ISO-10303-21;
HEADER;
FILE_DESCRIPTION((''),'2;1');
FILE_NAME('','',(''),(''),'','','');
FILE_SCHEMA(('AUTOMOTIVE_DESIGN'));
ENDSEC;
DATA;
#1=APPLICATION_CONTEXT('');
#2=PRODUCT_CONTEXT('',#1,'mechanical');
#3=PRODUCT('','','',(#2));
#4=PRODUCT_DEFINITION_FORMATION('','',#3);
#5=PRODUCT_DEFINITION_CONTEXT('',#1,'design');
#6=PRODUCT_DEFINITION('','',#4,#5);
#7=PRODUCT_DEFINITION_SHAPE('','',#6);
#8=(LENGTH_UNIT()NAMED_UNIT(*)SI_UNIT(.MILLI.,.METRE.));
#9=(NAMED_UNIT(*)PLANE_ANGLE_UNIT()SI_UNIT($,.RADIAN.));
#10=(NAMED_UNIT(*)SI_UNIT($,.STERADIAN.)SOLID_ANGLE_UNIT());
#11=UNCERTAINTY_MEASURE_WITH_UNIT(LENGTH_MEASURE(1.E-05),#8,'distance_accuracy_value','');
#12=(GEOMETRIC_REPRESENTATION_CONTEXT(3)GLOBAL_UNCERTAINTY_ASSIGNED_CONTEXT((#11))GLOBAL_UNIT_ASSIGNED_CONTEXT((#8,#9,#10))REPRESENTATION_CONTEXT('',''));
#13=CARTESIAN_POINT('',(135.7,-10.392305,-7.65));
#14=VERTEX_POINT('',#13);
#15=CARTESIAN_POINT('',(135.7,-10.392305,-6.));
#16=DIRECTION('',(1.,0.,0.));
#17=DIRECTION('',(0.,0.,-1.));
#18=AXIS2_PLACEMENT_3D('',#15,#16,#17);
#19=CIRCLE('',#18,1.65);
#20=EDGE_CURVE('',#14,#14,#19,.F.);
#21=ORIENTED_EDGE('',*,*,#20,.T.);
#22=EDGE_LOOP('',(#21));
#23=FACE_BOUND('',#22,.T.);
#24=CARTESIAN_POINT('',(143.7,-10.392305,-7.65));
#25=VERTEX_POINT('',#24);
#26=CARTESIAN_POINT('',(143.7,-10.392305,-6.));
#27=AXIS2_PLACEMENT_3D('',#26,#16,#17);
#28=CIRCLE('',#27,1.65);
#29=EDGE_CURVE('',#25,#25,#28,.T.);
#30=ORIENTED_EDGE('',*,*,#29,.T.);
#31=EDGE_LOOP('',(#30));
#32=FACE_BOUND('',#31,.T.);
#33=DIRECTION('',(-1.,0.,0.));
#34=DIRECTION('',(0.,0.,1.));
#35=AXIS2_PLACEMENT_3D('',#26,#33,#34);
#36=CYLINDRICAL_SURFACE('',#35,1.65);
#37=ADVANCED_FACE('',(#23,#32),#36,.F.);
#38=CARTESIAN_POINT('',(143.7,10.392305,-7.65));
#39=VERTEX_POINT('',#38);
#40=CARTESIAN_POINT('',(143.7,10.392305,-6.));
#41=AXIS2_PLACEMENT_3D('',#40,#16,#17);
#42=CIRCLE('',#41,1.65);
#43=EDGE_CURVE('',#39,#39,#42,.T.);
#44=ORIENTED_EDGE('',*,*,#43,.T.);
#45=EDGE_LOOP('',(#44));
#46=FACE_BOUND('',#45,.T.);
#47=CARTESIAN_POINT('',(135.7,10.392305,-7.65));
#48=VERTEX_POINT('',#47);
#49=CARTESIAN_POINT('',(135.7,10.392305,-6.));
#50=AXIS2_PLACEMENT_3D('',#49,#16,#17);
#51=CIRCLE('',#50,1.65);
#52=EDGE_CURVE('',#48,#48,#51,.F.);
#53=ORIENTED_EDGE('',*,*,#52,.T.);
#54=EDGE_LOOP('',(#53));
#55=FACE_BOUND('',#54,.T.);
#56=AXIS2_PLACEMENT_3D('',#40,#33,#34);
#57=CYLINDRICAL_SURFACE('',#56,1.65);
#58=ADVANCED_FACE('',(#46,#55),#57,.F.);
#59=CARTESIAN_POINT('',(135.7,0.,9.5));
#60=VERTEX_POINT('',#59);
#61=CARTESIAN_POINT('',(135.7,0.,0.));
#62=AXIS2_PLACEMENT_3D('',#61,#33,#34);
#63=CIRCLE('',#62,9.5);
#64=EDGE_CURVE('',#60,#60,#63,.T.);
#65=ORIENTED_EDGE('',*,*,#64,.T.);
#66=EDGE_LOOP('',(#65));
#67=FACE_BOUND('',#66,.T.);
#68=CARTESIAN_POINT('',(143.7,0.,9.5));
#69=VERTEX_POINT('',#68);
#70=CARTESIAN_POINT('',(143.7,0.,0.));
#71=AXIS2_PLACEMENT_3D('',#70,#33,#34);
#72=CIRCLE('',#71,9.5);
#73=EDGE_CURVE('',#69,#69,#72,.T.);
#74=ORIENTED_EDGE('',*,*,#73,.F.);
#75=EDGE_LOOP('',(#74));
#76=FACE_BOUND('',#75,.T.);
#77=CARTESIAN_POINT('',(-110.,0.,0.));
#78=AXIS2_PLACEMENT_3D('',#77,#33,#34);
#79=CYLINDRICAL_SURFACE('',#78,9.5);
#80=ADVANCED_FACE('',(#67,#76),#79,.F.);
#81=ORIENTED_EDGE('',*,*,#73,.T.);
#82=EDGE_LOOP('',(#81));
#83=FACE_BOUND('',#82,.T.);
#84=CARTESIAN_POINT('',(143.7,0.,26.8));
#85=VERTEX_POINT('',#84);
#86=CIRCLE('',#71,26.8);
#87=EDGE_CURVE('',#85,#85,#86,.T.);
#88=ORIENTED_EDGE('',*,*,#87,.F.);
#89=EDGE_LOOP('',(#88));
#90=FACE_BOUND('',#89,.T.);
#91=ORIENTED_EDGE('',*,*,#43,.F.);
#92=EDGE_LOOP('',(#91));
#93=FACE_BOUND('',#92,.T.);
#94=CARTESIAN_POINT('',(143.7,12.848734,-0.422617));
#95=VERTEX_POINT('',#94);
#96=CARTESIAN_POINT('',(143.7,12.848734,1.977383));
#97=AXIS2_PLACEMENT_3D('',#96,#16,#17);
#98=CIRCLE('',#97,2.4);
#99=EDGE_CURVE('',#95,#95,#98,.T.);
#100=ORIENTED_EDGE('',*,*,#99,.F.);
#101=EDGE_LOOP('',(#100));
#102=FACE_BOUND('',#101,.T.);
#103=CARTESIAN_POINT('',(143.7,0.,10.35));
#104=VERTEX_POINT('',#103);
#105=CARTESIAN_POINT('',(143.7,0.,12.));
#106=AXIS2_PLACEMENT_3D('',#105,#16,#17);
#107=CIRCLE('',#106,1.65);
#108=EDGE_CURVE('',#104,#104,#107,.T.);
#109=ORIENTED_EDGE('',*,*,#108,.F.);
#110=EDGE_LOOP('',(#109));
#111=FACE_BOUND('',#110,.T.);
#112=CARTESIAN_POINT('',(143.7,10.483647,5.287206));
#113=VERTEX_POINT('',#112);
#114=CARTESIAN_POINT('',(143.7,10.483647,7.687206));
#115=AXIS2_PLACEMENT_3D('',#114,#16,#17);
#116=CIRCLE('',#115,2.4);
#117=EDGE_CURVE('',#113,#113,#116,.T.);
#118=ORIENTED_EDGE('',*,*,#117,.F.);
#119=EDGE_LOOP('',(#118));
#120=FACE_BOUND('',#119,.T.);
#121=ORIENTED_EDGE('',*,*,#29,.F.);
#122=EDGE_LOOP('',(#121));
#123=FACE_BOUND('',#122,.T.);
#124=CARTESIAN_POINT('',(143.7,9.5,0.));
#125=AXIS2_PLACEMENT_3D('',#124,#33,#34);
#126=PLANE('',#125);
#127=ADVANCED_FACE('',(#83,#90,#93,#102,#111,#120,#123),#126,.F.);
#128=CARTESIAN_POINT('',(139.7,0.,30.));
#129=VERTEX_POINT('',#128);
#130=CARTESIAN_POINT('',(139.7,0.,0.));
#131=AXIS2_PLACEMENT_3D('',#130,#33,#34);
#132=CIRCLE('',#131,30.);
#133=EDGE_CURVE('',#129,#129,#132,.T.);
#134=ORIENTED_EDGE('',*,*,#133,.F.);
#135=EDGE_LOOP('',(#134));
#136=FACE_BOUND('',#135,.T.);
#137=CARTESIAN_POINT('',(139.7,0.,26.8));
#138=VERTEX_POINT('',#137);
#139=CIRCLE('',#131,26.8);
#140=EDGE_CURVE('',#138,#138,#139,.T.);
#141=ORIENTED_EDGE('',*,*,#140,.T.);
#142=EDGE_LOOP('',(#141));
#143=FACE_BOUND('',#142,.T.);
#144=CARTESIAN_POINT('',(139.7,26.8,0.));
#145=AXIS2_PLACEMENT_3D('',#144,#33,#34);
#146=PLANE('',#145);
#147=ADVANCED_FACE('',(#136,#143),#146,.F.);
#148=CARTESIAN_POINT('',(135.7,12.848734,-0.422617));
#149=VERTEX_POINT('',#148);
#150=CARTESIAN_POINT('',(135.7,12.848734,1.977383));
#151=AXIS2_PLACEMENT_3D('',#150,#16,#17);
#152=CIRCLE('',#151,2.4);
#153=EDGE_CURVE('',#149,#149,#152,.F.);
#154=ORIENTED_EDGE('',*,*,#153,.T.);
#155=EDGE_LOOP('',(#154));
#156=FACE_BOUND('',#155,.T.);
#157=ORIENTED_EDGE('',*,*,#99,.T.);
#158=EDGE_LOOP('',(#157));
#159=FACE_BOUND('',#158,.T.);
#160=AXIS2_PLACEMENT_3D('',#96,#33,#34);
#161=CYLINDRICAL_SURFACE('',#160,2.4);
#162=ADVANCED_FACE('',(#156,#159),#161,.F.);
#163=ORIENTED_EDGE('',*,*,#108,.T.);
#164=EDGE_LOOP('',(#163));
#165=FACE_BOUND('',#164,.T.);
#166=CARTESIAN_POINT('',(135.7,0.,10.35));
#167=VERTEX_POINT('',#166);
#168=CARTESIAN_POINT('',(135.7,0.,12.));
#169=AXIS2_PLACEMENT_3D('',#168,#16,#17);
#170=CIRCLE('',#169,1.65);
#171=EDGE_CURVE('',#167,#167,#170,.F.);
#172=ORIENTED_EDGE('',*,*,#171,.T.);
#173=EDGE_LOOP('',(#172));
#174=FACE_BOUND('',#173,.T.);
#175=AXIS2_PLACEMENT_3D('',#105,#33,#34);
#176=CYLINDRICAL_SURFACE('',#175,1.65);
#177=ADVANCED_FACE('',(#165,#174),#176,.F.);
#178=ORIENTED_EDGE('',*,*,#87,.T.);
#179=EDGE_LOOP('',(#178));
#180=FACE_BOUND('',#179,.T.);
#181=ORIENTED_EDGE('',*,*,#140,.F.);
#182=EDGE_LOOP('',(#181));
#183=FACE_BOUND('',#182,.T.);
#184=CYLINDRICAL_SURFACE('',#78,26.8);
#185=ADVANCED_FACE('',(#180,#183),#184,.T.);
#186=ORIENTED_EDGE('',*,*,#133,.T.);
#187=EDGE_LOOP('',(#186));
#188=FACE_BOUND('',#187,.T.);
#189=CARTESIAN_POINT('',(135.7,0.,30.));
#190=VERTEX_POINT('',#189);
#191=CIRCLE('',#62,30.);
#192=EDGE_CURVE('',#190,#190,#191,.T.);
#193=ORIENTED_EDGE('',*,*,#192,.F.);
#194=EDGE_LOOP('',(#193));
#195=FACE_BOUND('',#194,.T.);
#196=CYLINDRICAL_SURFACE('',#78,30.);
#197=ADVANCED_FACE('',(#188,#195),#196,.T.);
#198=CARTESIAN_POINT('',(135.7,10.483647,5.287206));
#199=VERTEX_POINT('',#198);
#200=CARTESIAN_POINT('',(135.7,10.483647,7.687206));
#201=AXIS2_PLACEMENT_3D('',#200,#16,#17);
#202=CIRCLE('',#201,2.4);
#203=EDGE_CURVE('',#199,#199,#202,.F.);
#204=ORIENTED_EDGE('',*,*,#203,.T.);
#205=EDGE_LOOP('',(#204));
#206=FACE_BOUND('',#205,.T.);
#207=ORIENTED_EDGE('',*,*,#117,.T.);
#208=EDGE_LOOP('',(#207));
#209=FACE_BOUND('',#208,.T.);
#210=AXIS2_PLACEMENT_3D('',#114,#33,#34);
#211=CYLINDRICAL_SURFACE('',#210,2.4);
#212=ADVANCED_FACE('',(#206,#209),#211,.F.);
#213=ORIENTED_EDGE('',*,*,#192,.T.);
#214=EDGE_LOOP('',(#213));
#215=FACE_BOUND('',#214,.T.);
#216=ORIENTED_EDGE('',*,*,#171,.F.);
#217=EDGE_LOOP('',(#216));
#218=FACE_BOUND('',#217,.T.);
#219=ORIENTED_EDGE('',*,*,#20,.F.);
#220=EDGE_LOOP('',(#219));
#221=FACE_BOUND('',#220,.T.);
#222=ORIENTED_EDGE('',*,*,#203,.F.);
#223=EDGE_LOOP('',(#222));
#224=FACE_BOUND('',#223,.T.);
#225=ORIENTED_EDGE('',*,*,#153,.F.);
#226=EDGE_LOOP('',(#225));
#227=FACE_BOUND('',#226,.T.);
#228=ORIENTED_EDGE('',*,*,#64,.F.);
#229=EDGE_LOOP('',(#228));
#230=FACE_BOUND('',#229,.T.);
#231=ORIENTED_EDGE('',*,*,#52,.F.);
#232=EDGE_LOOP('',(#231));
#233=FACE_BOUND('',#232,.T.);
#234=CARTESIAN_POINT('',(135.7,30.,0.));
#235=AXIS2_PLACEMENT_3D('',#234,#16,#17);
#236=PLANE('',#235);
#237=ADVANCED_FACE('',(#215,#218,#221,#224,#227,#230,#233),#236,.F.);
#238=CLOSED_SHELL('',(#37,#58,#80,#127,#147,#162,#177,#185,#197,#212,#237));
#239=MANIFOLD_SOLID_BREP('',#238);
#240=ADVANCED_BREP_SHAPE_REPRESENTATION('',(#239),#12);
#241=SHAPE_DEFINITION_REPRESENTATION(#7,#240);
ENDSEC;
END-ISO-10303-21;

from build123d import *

# Parameters (mm, degrees)
AXIAL_HOLES_DEPTH      = 150.832206151
AXIAL_HOLES_DEPTH_BACK = 150.832206151
SKETCH2_R              = 2.4
SKETCH2_R_2            = 1.65


with BuildPart() as part:
    # Axial profile (mm) → Full revolution (revolve)
    with BuildSketch(Plane.XY, mode=Mode.PRIVATE) as full_revolution_sk:
        Polygon((135.7, 9.5), (143.7, 9.5), (143.7, 26.8), (139.7, 26.8), (139.7, 30), (135.7, 30), align=None)
    revolve(full_revolution_sk.sketch.rotate(Axis((-110, 0, 0), (1, 0, 0)), 90), axis=Axis((-110, 0, 0), (1, 0, 0)))

    # Sketch2 → Axial holes (cut, two sides: drawn at the far end of the back side and taken through both)
    with BuildSketch(Plane(origin=(0, 0, 0), x_dir=(0, 0, -1), z_dir=(1, 0, 0)).offset(-AXIAL_HOLES_DEPTH_BACK)):
        with Locations((-1.977382665, 12.848733704)):
            Circle(SKETCH2_R)
        with Locations((-7.687206041, 10.483647423)):
            Circle(SKETCH2_R)
        with Locations((-12, 0)):
            Circle(SKETCH2_R_2)
        with Locations((6, -10.392304845)):
            Circle(SKETCH2_R_2)
        with Locations((6, 10.392304845)):
            Circle(SKETCH2_R_2)
    extrude(amount=AXIAL_HOLES_DEPTH + AXIAL_HOLES_DEPTH_BACK, mode=Mode.SUBTRACT)


solid = part.part
